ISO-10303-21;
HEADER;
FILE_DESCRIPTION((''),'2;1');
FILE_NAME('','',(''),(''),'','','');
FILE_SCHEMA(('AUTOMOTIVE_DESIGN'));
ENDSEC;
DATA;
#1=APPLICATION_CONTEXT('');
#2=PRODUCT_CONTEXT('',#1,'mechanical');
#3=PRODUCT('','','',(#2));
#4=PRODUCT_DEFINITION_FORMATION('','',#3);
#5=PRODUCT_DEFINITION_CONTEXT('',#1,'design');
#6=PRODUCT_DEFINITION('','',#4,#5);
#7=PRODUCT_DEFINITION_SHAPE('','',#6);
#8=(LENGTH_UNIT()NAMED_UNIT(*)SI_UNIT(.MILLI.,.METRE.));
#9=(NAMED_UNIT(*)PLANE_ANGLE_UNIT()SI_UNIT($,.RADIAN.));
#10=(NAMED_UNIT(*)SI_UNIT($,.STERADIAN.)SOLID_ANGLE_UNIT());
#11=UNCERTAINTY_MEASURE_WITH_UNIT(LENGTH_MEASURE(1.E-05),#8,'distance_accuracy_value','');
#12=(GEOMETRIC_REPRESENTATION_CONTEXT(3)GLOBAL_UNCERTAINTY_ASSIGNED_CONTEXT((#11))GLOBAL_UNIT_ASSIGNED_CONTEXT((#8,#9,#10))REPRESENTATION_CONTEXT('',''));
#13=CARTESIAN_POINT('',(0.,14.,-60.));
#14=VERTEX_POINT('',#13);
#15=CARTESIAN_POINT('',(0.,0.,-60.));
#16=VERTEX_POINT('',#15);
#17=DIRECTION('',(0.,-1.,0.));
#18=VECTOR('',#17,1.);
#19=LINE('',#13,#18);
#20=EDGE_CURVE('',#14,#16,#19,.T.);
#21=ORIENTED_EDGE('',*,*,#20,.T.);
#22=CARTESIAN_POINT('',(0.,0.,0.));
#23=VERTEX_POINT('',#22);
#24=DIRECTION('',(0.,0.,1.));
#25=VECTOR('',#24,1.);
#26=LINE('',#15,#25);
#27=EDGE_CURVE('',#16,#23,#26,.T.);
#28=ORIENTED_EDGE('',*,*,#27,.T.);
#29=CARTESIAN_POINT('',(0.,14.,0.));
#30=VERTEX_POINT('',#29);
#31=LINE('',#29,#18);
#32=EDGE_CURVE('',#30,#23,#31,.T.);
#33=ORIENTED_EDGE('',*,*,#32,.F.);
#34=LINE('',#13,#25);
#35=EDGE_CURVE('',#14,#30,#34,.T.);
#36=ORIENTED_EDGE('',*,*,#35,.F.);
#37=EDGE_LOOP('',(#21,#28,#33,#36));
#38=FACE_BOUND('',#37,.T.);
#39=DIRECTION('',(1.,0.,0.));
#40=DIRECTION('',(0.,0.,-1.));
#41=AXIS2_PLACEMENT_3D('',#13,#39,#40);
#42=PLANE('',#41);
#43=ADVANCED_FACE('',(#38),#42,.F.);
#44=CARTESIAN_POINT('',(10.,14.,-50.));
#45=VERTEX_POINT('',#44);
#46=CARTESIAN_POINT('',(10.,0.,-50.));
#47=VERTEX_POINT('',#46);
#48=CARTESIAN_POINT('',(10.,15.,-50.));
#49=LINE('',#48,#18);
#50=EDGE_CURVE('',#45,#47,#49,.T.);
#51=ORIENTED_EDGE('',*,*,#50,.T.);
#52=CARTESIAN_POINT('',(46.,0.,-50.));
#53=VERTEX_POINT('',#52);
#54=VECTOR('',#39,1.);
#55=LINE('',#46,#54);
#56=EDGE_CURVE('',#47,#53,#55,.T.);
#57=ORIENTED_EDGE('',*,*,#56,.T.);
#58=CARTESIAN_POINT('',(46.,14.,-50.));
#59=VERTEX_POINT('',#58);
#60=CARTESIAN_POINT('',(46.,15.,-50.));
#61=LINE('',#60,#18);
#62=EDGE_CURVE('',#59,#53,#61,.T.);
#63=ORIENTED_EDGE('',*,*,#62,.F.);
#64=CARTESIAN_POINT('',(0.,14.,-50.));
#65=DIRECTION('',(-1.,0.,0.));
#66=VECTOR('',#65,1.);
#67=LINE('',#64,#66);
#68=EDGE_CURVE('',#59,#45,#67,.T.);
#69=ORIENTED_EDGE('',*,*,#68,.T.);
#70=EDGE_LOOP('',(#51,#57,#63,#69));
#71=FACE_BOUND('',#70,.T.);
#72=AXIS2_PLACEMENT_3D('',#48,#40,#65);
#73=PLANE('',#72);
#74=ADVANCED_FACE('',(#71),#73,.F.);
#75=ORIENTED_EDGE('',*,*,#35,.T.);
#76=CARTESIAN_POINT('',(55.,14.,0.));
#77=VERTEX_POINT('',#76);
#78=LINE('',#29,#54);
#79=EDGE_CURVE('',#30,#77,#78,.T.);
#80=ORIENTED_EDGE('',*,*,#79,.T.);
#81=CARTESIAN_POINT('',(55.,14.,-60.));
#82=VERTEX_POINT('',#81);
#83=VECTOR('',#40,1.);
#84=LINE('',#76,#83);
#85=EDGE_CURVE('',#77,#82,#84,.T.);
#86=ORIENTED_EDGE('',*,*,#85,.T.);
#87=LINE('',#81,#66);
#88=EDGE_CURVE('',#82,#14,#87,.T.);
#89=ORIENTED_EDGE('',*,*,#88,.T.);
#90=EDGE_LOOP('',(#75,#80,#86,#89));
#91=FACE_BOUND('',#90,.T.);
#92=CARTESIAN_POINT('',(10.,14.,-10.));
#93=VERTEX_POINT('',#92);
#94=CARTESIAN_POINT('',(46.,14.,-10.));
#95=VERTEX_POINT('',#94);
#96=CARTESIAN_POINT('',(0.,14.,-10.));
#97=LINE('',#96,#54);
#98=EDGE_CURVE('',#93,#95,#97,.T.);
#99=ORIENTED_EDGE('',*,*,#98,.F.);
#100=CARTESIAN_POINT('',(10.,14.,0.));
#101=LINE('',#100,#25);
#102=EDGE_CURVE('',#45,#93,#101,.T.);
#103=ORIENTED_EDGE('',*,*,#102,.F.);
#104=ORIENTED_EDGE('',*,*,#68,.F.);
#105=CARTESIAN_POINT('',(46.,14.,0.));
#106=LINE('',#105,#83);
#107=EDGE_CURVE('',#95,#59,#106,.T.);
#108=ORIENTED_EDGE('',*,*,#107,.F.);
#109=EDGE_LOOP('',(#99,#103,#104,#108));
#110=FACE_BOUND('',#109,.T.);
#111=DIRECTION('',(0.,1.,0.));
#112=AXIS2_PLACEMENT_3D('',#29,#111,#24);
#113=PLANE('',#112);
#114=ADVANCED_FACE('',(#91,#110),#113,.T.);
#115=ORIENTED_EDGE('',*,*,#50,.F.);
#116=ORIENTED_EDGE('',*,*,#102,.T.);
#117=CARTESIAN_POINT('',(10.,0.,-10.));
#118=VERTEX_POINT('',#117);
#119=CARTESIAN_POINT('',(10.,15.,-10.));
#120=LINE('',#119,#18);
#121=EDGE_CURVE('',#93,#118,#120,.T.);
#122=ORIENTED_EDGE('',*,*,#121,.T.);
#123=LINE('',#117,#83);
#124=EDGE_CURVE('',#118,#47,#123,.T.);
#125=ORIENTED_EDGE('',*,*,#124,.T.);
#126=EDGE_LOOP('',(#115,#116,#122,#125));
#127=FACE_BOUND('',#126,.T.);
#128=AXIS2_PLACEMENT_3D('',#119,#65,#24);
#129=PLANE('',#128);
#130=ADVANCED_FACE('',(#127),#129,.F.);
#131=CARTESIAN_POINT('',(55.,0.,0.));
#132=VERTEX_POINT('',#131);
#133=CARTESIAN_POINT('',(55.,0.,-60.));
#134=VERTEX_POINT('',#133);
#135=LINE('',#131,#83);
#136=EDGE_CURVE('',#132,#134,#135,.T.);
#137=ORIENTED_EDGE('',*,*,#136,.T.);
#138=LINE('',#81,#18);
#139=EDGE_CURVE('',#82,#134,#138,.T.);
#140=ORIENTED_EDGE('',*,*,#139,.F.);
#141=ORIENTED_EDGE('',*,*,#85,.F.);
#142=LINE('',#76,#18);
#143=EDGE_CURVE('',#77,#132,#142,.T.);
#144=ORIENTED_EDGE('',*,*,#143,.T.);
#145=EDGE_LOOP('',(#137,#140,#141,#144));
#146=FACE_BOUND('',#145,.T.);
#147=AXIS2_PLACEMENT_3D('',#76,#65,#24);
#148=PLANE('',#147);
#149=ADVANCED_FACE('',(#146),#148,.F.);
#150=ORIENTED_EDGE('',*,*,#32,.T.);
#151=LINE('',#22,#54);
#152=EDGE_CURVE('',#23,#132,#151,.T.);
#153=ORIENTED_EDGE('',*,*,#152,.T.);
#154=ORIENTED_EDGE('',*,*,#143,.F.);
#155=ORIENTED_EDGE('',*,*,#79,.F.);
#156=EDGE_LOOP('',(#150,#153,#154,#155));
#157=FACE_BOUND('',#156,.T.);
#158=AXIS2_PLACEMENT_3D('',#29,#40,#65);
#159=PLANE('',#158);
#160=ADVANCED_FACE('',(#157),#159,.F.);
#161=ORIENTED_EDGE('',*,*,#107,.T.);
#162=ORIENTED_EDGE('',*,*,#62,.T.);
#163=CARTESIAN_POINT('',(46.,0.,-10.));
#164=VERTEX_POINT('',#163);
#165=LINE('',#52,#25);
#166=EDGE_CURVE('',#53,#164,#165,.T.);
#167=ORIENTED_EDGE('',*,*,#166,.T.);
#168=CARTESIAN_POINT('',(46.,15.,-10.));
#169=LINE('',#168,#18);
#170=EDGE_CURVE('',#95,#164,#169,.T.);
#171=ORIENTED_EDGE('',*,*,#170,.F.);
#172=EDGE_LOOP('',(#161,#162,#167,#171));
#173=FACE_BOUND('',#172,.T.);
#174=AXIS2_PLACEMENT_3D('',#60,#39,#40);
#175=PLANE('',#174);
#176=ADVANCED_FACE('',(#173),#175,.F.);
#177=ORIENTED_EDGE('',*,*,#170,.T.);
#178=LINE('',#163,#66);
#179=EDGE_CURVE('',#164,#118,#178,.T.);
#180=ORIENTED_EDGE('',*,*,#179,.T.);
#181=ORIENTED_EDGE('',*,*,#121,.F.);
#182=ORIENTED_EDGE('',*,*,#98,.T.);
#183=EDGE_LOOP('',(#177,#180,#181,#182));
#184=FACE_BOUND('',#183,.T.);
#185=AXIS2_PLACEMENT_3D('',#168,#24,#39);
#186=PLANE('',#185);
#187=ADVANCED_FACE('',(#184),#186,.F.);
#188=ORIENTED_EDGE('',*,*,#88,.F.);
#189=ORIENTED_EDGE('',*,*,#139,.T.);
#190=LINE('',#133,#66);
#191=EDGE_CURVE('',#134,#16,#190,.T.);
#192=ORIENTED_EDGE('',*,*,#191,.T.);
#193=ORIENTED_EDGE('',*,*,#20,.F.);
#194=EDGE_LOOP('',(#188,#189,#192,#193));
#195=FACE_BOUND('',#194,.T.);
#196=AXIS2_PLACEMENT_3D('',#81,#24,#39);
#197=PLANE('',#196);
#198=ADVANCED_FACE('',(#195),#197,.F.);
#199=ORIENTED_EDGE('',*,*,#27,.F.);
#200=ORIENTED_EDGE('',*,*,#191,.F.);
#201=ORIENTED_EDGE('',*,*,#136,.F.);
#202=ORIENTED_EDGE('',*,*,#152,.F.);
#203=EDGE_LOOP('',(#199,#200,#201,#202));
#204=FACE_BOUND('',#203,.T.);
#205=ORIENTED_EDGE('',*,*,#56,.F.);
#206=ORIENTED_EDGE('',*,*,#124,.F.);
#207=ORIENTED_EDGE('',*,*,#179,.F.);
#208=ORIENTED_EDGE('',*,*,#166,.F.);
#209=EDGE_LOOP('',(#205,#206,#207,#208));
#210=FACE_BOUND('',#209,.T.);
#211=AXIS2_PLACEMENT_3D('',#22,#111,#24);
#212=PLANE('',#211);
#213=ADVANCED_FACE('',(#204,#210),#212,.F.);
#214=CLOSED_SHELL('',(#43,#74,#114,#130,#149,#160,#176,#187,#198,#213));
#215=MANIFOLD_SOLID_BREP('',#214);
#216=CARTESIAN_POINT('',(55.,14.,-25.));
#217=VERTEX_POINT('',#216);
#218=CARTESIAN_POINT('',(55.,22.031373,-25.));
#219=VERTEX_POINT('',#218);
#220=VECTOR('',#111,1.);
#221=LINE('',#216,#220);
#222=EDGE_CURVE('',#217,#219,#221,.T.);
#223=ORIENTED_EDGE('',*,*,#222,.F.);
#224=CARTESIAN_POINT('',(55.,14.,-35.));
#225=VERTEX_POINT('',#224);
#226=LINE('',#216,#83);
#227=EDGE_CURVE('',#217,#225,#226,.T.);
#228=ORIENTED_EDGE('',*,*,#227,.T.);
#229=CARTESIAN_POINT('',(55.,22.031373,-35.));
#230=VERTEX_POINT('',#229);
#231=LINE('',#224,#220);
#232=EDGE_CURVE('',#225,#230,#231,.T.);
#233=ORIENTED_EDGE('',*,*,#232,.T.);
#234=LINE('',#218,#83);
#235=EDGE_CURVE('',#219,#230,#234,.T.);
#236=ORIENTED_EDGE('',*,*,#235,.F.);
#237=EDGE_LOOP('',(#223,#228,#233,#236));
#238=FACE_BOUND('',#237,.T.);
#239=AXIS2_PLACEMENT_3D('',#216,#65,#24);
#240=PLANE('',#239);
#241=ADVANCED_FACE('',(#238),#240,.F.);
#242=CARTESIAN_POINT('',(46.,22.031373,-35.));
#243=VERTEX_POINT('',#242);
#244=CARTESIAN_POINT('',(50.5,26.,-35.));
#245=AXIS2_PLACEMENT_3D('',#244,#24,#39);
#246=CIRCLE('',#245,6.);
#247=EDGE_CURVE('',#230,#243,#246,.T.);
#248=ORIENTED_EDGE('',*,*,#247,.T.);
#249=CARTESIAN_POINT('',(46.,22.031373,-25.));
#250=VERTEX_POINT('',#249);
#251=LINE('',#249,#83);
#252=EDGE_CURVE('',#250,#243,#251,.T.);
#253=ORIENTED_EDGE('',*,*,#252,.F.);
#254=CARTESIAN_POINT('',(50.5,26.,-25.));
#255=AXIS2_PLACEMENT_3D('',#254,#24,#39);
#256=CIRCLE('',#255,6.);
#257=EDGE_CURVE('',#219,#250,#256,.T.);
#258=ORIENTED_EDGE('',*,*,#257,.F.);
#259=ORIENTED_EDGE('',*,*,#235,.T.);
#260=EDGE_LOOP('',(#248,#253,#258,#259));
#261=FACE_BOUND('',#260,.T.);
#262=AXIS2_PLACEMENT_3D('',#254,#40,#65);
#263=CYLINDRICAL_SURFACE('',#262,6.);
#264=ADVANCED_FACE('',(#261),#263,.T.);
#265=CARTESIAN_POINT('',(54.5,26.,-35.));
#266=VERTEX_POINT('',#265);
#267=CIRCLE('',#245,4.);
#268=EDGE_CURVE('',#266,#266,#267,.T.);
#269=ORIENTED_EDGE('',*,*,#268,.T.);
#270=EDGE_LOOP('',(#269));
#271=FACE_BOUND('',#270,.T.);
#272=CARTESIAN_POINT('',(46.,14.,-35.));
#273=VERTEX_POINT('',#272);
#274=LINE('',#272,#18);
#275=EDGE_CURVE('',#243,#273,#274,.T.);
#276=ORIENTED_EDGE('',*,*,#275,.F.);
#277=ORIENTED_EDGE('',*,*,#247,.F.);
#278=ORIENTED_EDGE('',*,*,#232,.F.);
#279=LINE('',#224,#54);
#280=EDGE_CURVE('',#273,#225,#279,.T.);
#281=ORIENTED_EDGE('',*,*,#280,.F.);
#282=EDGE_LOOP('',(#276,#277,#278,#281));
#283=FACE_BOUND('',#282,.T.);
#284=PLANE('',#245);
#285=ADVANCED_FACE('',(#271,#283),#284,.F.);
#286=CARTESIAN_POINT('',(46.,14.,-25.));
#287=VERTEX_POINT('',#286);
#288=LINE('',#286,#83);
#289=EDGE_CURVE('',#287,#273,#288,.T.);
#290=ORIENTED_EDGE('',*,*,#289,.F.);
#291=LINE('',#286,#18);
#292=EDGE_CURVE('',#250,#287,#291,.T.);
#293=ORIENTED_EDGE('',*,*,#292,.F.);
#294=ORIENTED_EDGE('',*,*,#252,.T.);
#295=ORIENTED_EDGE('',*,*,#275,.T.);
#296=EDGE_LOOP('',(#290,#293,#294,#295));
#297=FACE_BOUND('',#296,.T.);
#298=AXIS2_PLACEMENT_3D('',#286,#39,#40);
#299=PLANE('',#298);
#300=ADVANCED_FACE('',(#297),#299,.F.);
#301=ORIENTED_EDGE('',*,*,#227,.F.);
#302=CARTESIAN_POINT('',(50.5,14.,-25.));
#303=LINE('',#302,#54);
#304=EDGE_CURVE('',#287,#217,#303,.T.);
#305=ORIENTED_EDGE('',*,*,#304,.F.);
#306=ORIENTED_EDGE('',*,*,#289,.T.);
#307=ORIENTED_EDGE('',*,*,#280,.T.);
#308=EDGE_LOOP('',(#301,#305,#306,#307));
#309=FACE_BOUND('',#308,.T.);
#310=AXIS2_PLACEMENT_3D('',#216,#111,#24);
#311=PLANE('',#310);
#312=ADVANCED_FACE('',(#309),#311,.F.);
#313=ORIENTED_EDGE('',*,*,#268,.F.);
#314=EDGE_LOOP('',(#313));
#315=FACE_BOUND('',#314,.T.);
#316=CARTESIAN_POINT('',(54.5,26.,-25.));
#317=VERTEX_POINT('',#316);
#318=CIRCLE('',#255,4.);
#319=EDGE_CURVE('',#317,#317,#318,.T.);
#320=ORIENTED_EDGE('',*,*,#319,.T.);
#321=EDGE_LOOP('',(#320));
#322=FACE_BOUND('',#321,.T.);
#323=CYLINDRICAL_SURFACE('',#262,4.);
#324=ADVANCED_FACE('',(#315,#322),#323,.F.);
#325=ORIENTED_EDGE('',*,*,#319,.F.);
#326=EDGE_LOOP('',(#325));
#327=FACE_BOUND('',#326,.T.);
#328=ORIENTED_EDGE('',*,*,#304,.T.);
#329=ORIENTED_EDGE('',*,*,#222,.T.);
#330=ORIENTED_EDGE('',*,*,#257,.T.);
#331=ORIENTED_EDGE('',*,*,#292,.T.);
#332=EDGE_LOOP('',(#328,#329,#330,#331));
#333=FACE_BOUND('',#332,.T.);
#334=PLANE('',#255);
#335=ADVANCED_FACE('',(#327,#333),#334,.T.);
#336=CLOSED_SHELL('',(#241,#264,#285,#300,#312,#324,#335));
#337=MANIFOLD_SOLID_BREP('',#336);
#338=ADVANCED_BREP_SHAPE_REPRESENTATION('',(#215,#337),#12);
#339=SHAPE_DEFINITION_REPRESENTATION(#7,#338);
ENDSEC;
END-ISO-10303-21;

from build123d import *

# Parameters (mm, degrees)
SKETCH_1_W          = 55
SKETCH_1_H          = 60
EXTRUDE_1_DEPTH     = 14
SKETCH_5_W          = 36
SKETCH_5_H          = 40
CUT_EXTRUDE_1_DEPTH = 15
EXTRUDE_START       = -35
SKETCH_7_R          = 4
EXTRUDE_2_DEPTH     = 10


with BuildPart() as part:
    # 草图1 → 凸台-拉伸1 (new body)
    with BuildSketch(Plane(origin=(0, 0, 0), x_dir=(1, 0, 0), z_dir=(0, 1, 0))):
        with Locations((27.5, 30)):
            Rectangle(SKETCH_1_W, SKETCH_1_H)
    extrude(amount=EXTRUDE_1_DEPTH)

    # 草图5 → 切除-拉伸1 (cut)
    with BuildSketch(Plane(origin=(0, 0, 0), x_dir=(1, 0, 0), z_dir=(0, 1, 0))):
        with Locations((28, 30)):
            Rectangle(SKETCH_5_W, SKETCH_5_H)
    extrude(amount=CUT_EXTRUDE_1_DEPTH, mode=Mode.SUBTRACT)


with BuildPart() as body_2:
    # 草图7 → 凸台-拉伸2 (new body)
    with BuildSketch(Plane.XY.offset(EXTRUDE_START)):
        with BuildLine():
            Line((55, 14), (50.5, 14))
            Line((50.5, 14), (46, 14))
            Line((46, 14), (46, 22.031373033))
            ThreePointArc((46, 22.031373033), (50.5, 32), (55, 22.031373033))
            Line((55, 22.031373033), (55, 14))
        make_face()
        with Locations((50.5, 26)):
            Circle(SKETCH_7_R, mode=Mode.SUBTRACT)
    extrude(amount=EXTRUDE_2_DEPTH)


solid = Compound([part.part, body_2.part])
